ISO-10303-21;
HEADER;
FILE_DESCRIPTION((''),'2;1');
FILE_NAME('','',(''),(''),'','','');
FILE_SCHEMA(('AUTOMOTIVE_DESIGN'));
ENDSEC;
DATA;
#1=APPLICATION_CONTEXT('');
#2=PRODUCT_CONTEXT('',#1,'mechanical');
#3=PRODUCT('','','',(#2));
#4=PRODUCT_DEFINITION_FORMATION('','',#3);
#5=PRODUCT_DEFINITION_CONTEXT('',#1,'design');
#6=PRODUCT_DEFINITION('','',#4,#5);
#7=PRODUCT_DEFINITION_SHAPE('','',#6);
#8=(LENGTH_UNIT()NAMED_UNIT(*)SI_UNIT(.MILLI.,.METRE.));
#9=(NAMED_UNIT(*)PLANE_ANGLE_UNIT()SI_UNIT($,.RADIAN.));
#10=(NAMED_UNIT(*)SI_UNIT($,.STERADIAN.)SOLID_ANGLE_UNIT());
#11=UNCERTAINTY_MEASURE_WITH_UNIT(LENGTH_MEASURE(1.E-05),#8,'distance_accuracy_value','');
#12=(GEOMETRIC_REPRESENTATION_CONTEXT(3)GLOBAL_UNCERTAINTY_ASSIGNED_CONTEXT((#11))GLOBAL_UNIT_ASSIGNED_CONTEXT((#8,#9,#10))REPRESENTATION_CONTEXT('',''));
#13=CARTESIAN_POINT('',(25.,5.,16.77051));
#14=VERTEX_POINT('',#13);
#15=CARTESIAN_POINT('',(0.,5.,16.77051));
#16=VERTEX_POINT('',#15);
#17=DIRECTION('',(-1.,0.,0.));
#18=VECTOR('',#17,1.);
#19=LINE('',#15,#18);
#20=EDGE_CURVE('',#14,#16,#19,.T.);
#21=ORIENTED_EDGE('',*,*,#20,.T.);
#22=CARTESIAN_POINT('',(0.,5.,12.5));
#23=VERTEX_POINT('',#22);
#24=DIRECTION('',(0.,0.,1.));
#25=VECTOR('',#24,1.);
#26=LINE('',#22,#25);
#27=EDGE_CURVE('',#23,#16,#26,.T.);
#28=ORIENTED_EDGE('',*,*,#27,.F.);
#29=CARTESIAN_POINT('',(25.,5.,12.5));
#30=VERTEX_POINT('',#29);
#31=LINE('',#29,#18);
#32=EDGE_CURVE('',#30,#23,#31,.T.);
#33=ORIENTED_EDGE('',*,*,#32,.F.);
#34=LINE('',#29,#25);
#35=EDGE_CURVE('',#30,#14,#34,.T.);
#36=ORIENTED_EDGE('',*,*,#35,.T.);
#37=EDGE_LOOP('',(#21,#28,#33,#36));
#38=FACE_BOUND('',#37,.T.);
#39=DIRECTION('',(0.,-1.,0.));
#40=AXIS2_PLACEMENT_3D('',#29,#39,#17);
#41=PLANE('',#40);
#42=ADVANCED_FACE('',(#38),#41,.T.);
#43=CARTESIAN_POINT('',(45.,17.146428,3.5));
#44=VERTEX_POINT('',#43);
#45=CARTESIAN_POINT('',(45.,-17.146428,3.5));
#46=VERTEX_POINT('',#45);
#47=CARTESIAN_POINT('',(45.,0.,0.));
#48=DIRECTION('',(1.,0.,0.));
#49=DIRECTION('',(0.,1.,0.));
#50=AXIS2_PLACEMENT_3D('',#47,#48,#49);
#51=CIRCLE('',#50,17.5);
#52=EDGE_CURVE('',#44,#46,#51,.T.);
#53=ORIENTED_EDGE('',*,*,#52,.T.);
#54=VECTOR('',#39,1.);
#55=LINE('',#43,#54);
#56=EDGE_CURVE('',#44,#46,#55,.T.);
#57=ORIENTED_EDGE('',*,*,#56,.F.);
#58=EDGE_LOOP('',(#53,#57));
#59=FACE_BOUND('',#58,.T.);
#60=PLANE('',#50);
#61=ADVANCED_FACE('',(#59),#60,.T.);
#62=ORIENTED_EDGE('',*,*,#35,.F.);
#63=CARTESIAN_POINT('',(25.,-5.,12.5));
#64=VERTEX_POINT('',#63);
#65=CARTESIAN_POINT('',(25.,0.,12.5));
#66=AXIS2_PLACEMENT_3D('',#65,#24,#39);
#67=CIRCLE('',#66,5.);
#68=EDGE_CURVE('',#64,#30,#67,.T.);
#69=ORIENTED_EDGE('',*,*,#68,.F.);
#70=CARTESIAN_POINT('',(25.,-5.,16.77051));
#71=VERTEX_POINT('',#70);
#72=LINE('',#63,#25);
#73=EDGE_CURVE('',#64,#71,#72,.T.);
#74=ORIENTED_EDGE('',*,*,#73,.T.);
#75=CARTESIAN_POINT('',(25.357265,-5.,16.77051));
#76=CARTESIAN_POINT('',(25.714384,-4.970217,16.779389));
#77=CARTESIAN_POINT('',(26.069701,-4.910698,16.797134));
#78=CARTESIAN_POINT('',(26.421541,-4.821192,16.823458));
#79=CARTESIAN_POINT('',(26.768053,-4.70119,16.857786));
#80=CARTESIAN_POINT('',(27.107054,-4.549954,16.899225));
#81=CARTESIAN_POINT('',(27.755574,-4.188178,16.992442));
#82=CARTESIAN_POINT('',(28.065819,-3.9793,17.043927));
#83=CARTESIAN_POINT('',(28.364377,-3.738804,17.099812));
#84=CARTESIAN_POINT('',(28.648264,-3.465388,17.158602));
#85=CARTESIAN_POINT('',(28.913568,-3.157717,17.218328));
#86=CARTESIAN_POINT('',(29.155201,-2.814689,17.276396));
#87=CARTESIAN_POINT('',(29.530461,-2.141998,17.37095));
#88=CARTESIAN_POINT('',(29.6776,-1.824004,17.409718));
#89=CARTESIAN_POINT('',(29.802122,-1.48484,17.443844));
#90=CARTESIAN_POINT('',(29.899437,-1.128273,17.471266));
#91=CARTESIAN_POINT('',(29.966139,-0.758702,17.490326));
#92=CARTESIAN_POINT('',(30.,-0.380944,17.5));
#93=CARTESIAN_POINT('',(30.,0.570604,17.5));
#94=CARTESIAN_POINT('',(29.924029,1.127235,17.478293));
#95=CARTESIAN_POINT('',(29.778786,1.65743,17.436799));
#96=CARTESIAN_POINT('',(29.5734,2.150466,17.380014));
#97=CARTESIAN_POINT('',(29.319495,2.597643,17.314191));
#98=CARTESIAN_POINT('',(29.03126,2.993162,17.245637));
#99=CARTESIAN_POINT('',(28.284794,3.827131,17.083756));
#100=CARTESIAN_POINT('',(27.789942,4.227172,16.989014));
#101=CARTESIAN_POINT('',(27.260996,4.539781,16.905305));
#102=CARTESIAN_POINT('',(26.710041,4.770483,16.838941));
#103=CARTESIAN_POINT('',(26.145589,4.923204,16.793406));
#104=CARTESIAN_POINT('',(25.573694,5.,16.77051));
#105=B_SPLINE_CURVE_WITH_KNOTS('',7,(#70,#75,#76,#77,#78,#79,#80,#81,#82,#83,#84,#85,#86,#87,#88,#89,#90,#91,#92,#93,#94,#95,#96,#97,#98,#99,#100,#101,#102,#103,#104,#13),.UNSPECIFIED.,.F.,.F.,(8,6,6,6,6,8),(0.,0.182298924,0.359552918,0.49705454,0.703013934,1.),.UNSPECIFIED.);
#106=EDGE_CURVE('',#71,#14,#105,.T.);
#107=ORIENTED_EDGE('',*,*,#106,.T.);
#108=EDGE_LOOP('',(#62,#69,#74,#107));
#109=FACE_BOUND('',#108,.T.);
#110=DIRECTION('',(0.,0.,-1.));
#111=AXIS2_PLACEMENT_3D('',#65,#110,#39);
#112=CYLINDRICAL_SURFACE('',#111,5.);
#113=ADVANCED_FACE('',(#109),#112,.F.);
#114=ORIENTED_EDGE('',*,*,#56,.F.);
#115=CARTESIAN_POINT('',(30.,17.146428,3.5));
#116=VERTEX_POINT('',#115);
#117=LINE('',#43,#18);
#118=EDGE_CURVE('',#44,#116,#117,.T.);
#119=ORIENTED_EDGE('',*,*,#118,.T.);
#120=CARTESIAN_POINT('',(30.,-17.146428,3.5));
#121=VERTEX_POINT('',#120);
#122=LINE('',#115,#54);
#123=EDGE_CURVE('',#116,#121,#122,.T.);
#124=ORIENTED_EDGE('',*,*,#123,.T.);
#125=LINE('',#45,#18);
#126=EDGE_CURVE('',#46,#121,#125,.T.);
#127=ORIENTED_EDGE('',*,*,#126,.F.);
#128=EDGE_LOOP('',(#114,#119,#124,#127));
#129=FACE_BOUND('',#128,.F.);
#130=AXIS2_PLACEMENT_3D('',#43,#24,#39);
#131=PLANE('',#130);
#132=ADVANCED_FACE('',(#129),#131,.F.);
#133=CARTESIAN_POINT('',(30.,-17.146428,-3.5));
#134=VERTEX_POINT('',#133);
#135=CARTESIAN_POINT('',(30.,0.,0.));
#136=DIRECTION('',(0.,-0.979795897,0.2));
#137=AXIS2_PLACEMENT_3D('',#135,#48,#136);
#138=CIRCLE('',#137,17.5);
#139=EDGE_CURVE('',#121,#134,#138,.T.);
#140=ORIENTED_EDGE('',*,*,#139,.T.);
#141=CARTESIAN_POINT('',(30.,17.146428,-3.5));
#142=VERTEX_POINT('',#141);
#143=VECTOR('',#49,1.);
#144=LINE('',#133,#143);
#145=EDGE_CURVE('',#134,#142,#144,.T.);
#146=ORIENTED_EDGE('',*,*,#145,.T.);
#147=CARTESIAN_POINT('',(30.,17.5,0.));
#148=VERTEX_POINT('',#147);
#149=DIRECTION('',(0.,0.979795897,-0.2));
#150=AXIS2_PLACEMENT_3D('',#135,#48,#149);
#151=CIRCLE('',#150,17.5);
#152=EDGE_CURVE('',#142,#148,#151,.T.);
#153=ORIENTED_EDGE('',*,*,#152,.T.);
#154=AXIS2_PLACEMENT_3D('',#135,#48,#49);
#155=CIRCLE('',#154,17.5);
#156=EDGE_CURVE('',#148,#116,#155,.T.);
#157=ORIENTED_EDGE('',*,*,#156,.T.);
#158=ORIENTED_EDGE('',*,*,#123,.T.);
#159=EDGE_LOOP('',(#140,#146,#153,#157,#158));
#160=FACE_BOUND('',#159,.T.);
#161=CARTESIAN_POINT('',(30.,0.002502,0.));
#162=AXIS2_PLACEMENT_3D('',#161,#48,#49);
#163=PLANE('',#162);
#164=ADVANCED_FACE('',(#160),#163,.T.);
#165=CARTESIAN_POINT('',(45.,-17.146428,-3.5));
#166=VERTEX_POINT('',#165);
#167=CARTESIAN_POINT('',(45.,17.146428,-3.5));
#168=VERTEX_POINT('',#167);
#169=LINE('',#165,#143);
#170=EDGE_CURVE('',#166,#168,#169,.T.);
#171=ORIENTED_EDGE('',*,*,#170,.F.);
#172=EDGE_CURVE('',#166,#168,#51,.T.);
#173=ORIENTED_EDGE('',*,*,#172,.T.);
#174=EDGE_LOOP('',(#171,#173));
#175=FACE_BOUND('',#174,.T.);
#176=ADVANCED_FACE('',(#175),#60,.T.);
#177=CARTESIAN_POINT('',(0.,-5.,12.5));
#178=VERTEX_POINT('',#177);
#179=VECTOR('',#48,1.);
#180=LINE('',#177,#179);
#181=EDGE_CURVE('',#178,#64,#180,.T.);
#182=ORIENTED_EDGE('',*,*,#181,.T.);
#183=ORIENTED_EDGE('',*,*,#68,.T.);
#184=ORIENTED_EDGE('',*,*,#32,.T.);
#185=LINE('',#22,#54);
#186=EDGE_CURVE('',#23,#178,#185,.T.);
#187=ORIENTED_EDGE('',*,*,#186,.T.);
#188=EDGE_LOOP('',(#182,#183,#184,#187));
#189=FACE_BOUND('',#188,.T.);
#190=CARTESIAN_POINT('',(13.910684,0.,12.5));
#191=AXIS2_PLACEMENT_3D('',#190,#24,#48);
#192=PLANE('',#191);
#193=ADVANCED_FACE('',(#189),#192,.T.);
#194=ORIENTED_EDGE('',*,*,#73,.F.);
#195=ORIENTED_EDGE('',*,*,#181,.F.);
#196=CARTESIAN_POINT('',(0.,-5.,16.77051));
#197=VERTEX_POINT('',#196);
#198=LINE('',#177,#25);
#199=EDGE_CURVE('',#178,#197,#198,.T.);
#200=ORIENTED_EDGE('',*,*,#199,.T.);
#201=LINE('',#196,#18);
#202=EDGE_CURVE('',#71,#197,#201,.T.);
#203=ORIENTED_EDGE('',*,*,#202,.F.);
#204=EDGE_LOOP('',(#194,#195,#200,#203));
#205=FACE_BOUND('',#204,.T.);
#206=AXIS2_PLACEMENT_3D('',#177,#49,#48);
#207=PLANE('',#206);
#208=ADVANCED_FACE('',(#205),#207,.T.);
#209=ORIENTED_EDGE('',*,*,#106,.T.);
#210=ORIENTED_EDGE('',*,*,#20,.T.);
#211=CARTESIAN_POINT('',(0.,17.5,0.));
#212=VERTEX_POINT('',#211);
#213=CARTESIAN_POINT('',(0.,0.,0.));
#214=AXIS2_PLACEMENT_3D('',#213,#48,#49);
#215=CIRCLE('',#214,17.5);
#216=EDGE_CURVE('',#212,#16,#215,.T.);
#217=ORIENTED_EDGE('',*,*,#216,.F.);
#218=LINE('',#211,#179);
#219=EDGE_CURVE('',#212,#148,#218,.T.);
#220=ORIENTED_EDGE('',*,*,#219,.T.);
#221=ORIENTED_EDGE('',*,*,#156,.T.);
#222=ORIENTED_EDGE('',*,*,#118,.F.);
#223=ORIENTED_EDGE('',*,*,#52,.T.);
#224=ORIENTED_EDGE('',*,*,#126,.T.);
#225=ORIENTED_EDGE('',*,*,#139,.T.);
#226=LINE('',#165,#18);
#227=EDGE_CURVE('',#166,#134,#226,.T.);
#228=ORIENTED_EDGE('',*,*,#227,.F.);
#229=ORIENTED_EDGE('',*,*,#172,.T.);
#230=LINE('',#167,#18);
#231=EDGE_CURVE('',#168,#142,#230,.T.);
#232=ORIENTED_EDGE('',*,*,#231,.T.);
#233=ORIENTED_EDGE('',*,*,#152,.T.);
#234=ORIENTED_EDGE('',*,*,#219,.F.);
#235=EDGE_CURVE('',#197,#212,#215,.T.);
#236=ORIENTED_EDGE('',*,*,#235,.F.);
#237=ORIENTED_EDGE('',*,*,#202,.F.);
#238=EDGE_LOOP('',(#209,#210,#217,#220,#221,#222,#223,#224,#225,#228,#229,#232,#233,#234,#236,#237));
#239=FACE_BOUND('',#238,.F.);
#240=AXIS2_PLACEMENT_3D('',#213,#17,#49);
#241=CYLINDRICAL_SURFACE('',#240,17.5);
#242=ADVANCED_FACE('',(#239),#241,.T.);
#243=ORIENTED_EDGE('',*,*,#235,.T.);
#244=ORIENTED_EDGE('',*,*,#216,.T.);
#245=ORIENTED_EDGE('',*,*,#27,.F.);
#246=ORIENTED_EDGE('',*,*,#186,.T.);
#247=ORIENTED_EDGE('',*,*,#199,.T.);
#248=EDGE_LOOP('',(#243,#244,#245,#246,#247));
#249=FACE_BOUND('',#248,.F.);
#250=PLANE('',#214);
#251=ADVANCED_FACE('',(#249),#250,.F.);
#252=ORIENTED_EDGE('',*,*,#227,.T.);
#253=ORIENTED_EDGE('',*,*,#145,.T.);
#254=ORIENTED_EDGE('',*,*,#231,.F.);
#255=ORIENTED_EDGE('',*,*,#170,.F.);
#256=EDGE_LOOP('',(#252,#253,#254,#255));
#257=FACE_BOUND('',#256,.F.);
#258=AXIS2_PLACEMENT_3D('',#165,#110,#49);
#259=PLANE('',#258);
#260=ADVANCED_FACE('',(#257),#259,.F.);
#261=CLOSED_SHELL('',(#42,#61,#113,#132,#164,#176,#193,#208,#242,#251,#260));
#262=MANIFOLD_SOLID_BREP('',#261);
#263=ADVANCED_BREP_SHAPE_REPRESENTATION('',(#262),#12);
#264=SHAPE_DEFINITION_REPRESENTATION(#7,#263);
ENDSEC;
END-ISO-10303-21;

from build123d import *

# Parameters (mm, degrees)
F0_R     = 17.5
F1_DEPTH = 45
F3_DEPTH = 15
F6_DEPTH = 10


with BuildPart() as f1:
    # F0 (on Right) → F1 (new body)
    with BuildSketch(Plane.YZ):
        Circle(F0_R)
    extrude(amount=F1_DEPTH)

    # F2 (on face) → F3 (cut)
    with BuildSketch(Plane.YZ.offset(45)):
        with BuildLine():
            Line((17.1464281995, 3.5), (-17.1464281995, 3.5))
            ThreePointArc((-17.1464281995, 3.5), (-17.5, 0), (-17.1464281995, -3.5))
            Line((-17.1464281995, -3.5), (17.1464281995, -3.5))
            ThreePointArc((17.1464281995, -3.5), (17.4113826776, -1.7589068351), (17.5, 0))
            ThreePointArc((17.5, 0), (17.4113826776, 1.7589068351), (17.1464281995, 3.5))
        make_face()
    extrude(amount=-F3_DEPTH, mode=Mode.SUBTRACT)

    # F5 (on offset) → F6 (cut)
    with BuildSketch(Plane.XY.offset(12.5)):
        with BuildLine():
            Line((25, 5), (0, 5))
            Line((0, 5), (0, -5))
            Line((0, -5), (25, -5))
            ThreePointArc((25, -5), (30, 0), (25, 5))
        make_face()
    extrude(amount=F6_DEPTH, mode=Mode.SUBTRACT)


solid = f1.part
